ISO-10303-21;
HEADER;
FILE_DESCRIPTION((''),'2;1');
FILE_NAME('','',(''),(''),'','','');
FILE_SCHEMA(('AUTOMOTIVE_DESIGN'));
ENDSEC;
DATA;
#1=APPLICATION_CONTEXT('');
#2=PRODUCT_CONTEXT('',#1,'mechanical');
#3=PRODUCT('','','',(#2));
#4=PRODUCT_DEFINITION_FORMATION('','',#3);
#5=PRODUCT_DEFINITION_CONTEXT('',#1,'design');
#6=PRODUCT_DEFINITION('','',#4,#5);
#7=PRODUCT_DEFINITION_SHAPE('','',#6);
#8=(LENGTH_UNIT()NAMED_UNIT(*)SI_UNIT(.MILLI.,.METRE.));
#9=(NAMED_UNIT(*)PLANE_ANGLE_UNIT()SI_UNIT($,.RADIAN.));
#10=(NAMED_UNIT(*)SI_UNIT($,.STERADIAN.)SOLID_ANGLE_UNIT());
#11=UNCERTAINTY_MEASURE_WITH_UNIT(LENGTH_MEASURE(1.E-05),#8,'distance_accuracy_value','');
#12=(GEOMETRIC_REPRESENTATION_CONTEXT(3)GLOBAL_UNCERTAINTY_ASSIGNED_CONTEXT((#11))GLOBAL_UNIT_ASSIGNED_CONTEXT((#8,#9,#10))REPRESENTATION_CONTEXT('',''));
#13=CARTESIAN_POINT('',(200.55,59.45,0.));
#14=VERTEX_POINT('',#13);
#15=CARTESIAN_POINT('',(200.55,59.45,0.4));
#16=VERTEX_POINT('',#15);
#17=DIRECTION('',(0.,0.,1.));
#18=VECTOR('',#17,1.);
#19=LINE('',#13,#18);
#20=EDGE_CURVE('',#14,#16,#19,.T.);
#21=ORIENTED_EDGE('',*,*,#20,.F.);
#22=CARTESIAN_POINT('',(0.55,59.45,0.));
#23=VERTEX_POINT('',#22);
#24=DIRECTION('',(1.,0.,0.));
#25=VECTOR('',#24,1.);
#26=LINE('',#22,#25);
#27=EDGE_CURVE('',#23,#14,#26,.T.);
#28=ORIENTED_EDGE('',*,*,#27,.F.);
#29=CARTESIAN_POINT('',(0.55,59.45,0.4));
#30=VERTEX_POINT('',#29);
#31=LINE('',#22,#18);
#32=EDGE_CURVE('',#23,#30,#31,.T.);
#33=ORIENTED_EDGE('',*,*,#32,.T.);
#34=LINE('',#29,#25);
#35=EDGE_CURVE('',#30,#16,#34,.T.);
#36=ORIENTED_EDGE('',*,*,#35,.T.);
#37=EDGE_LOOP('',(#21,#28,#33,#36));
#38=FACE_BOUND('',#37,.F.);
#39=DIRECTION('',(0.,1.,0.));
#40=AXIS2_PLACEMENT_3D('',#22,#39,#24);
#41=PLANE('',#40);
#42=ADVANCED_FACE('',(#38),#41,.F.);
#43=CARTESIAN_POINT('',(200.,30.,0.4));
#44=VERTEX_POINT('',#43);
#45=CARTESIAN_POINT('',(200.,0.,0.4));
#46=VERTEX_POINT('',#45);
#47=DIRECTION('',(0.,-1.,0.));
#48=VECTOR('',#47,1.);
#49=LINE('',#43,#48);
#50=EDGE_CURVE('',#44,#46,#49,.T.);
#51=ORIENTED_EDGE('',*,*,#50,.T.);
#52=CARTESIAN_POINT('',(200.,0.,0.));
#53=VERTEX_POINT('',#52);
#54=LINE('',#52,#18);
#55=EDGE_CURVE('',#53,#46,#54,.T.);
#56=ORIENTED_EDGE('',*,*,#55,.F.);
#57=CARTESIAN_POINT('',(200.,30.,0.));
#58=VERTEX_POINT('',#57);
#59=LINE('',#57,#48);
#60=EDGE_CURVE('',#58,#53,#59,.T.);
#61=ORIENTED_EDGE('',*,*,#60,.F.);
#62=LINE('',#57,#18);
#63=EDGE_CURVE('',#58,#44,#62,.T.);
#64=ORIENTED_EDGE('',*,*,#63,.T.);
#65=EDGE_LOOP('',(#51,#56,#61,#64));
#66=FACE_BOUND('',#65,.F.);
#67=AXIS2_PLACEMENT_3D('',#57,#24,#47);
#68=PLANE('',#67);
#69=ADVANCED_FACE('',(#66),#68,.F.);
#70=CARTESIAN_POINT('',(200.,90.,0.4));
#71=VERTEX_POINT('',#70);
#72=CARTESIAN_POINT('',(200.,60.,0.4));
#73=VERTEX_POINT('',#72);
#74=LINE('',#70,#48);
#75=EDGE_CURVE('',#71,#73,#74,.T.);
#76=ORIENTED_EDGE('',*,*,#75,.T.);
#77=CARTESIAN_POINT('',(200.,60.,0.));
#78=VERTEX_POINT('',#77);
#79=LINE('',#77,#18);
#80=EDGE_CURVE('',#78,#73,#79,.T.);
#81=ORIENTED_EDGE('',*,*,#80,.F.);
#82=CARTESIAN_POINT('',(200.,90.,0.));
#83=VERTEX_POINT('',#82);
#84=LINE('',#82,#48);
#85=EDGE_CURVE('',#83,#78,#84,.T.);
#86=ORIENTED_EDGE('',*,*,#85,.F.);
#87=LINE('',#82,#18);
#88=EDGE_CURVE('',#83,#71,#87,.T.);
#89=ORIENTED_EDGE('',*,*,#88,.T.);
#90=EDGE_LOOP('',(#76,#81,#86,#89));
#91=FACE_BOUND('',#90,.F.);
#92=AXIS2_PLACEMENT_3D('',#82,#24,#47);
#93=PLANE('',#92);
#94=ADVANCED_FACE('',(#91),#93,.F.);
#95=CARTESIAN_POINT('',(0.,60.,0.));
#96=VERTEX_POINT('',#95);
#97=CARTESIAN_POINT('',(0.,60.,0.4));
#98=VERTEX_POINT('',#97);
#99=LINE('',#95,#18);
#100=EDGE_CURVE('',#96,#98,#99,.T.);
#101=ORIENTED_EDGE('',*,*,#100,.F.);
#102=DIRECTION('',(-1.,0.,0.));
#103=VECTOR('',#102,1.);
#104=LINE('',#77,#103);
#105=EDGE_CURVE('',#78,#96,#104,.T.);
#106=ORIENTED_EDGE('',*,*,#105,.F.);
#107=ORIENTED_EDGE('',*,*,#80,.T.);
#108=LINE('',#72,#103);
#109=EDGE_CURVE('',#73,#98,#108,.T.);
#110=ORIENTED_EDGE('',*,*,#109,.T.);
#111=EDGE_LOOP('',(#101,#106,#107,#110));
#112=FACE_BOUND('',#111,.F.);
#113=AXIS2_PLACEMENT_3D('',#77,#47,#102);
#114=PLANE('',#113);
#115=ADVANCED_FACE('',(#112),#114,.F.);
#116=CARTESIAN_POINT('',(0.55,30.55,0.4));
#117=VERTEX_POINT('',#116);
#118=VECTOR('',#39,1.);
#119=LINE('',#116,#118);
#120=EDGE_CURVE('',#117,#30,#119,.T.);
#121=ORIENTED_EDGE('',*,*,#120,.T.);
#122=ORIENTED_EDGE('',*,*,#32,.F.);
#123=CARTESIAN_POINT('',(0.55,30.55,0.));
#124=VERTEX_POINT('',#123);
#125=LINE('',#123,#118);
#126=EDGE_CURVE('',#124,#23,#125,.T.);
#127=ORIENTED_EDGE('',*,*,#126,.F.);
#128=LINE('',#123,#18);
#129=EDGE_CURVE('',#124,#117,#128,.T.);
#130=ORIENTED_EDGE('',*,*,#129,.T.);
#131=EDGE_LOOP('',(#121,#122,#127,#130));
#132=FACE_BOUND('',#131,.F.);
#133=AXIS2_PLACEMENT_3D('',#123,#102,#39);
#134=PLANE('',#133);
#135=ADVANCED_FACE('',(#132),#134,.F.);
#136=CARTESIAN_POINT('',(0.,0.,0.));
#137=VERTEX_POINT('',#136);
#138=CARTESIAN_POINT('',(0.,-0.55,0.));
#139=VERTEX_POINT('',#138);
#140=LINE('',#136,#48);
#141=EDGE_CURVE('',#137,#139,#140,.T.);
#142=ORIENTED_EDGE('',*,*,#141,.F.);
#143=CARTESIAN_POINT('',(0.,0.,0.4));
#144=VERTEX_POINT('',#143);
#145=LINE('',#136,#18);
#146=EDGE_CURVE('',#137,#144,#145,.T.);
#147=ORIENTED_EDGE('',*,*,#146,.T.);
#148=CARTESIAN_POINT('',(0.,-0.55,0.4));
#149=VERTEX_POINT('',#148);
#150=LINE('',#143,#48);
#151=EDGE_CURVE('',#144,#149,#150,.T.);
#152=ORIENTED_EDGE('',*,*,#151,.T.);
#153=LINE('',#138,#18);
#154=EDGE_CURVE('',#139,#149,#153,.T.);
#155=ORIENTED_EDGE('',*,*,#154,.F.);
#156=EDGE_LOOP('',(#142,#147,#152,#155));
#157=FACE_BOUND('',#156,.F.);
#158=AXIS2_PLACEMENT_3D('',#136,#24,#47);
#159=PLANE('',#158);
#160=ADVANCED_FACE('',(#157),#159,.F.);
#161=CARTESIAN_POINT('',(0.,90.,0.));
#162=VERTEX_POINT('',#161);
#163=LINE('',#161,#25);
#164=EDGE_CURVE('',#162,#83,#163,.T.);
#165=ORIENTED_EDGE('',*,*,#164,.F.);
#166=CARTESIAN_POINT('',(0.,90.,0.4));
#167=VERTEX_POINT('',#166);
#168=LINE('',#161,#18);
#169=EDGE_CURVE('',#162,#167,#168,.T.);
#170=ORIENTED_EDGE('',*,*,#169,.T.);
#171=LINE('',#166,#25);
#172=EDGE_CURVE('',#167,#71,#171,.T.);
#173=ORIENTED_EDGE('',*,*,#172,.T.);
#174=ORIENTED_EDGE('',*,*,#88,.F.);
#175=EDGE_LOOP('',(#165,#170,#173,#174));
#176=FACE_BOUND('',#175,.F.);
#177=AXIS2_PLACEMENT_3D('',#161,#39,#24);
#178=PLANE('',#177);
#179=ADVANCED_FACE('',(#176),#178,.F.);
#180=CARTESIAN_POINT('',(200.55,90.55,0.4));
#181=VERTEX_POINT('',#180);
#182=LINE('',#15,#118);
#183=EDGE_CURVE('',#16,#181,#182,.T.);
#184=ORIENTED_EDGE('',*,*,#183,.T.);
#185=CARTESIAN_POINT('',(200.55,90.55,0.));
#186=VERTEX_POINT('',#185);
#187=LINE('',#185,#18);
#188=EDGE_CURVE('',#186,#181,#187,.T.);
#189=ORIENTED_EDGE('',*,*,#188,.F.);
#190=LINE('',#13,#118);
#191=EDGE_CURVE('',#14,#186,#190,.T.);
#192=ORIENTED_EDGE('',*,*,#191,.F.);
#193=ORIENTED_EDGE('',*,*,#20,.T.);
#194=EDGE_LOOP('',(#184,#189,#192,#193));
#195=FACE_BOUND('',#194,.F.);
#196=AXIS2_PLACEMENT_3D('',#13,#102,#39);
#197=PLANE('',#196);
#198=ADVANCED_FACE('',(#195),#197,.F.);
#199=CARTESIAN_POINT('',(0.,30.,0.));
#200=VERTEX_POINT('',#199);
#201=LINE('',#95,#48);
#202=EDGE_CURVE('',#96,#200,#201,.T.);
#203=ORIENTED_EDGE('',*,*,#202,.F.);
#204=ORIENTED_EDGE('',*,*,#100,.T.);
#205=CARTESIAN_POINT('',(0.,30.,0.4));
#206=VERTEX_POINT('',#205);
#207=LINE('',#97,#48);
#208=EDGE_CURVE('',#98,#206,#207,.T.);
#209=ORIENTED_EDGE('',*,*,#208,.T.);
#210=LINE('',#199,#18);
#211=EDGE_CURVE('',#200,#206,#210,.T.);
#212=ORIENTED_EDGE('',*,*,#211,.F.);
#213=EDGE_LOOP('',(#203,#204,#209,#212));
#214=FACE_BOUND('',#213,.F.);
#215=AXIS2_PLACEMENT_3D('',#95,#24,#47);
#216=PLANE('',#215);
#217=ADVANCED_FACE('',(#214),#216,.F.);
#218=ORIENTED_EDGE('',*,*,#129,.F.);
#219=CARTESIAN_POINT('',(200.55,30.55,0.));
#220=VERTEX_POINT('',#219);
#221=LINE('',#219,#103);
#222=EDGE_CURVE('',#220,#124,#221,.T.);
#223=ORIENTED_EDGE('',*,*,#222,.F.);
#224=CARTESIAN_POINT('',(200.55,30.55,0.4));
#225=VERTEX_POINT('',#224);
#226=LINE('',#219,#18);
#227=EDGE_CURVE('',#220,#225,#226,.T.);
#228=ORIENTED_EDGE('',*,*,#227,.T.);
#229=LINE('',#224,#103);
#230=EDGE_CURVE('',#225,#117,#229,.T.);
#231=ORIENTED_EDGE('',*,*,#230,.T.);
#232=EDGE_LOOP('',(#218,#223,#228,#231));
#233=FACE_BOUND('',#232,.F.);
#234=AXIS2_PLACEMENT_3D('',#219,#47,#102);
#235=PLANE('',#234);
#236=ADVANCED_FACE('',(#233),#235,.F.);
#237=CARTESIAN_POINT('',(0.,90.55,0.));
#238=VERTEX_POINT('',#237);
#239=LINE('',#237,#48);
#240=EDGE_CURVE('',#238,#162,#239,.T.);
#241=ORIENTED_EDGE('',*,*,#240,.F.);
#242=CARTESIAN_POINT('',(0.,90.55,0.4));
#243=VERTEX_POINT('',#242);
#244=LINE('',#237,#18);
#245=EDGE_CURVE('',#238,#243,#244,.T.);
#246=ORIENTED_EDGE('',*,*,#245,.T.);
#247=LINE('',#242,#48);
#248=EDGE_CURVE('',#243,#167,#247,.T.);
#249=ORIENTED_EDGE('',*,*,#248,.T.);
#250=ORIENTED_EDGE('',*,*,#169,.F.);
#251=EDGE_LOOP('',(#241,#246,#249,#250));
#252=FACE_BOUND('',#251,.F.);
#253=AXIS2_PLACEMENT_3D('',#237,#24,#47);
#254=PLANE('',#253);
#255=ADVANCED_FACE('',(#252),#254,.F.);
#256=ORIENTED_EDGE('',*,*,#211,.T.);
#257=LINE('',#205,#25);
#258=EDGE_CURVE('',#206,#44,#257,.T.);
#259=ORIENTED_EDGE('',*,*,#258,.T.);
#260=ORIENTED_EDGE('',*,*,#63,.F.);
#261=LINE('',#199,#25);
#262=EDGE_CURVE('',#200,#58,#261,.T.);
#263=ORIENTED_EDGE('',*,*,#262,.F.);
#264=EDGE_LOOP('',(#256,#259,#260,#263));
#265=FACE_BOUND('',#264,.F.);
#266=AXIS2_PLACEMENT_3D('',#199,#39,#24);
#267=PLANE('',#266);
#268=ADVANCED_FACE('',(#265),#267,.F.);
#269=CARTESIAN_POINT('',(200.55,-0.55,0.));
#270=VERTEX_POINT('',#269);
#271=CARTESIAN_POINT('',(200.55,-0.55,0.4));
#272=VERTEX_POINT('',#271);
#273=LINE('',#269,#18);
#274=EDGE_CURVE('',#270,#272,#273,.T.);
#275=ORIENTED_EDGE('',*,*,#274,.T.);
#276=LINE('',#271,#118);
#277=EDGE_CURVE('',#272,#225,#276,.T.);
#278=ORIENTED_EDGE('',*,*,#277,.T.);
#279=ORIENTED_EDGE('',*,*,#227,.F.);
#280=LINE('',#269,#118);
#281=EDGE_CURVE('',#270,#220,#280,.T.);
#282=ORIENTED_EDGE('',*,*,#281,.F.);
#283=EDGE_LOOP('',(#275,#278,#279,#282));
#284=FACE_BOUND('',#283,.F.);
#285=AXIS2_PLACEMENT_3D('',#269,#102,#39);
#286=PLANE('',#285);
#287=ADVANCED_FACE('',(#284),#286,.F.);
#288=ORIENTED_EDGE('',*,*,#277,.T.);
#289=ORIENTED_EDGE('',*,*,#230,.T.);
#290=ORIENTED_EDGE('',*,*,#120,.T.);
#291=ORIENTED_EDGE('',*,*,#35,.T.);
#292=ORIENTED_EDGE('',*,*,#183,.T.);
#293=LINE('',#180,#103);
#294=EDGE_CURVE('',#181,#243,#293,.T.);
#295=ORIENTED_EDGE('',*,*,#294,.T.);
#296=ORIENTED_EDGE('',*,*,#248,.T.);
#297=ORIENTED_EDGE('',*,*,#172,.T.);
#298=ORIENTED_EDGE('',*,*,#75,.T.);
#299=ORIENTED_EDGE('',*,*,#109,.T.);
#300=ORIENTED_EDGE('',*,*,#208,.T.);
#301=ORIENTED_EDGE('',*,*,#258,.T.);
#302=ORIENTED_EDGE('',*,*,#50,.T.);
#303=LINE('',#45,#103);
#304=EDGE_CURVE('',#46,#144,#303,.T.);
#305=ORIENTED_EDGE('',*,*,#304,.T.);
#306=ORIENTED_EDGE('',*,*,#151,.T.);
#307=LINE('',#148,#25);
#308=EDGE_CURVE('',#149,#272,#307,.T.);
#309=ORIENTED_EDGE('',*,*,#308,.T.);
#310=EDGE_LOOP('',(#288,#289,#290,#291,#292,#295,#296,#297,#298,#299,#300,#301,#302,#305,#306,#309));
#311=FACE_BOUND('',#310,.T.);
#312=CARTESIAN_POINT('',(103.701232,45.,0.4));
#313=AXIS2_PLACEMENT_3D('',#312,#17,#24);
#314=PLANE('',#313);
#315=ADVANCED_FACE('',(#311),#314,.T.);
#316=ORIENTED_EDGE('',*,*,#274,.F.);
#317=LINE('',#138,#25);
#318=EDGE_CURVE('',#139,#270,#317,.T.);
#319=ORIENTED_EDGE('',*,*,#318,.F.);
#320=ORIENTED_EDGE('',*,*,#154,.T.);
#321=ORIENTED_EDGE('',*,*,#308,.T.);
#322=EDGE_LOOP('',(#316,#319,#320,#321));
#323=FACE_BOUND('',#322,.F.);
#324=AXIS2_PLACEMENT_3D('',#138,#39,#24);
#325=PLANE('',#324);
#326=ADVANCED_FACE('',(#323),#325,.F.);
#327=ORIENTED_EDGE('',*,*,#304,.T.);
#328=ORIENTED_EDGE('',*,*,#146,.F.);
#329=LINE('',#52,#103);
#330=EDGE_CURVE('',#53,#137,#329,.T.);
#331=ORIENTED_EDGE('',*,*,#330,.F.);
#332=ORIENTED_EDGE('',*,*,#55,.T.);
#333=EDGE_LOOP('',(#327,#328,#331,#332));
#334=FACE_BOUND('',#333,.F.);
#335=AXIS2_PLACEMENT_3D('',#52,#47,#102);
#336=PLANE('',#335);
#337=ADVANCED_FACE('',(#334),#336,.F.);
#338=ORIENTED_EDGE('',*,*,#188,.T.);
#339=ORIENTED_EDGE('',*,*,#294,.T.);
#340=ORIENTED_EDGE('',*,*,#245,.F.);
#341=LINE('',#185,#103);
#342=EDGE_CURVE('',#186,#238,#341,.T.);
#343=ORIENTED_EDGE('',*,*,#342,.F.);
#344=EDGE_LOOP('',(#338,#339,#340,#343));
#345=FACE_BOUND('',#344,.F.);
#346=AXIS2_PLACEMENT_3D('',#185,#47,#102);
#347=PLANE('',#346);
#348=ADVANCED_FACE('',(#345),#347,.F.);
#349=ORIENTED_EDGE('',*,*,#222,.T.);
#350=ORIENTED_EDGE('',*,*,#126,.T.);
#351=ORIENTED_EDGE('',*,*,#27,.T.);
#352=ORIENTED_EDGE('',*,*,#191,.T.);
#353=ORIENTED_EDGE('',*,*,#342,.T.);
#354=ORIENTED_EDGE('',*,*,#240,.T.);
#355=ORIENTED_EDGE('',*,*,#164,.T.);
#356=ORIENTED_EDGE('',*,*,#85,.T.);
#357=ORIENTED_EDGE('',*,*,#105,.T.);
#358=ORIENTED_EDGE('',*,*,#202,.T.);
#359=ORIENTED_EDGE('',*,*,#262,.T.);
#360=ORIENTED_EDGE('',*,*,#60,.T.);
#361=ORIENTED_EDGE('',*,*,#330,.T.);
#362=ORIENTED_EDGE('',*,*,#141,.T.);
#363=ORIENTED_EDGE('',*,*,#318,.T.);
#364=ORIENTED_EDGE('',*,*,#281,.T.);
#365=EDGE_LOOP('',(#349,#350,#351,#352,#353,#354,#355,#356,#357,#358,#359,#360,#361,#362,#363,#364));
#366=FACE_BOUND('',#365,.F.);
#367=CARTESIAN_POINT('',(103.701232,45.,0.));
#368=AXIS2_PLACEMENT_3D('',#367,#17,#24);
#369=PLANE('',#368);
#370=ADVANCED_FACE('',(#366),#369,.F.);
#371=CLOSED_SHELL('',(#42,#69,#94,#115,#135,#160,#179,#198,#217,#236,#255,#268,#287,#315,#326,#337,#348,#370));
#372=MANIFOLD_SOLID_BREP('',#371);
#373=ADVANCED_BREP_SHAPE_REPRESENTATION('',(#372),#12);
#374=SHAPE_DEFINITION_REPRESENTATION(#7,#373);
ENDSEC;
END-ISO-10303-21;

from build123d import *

# Parameters (mm, degrees)
F1_DEPTH = 0.4


with BuildPart() as f1:
    # F0 (on Top) → F1 (new body)
    with BuildSketch(Plane.XY):
        Polygon((200, 0), (0, 0), (0, -0.55), (200.55, -0.55), (200.55, 30.55), (0.55, 30.55), (0.55, 59.45), (200.55, 59.45), (200.55, 90.55), (0, 90.55), (0, 90), (200, 90), (200, 60), (0, 60), (0, 30), (200, 30), align=None)
    extrude(amount=F1_DEPTH)


solid = f1.part
